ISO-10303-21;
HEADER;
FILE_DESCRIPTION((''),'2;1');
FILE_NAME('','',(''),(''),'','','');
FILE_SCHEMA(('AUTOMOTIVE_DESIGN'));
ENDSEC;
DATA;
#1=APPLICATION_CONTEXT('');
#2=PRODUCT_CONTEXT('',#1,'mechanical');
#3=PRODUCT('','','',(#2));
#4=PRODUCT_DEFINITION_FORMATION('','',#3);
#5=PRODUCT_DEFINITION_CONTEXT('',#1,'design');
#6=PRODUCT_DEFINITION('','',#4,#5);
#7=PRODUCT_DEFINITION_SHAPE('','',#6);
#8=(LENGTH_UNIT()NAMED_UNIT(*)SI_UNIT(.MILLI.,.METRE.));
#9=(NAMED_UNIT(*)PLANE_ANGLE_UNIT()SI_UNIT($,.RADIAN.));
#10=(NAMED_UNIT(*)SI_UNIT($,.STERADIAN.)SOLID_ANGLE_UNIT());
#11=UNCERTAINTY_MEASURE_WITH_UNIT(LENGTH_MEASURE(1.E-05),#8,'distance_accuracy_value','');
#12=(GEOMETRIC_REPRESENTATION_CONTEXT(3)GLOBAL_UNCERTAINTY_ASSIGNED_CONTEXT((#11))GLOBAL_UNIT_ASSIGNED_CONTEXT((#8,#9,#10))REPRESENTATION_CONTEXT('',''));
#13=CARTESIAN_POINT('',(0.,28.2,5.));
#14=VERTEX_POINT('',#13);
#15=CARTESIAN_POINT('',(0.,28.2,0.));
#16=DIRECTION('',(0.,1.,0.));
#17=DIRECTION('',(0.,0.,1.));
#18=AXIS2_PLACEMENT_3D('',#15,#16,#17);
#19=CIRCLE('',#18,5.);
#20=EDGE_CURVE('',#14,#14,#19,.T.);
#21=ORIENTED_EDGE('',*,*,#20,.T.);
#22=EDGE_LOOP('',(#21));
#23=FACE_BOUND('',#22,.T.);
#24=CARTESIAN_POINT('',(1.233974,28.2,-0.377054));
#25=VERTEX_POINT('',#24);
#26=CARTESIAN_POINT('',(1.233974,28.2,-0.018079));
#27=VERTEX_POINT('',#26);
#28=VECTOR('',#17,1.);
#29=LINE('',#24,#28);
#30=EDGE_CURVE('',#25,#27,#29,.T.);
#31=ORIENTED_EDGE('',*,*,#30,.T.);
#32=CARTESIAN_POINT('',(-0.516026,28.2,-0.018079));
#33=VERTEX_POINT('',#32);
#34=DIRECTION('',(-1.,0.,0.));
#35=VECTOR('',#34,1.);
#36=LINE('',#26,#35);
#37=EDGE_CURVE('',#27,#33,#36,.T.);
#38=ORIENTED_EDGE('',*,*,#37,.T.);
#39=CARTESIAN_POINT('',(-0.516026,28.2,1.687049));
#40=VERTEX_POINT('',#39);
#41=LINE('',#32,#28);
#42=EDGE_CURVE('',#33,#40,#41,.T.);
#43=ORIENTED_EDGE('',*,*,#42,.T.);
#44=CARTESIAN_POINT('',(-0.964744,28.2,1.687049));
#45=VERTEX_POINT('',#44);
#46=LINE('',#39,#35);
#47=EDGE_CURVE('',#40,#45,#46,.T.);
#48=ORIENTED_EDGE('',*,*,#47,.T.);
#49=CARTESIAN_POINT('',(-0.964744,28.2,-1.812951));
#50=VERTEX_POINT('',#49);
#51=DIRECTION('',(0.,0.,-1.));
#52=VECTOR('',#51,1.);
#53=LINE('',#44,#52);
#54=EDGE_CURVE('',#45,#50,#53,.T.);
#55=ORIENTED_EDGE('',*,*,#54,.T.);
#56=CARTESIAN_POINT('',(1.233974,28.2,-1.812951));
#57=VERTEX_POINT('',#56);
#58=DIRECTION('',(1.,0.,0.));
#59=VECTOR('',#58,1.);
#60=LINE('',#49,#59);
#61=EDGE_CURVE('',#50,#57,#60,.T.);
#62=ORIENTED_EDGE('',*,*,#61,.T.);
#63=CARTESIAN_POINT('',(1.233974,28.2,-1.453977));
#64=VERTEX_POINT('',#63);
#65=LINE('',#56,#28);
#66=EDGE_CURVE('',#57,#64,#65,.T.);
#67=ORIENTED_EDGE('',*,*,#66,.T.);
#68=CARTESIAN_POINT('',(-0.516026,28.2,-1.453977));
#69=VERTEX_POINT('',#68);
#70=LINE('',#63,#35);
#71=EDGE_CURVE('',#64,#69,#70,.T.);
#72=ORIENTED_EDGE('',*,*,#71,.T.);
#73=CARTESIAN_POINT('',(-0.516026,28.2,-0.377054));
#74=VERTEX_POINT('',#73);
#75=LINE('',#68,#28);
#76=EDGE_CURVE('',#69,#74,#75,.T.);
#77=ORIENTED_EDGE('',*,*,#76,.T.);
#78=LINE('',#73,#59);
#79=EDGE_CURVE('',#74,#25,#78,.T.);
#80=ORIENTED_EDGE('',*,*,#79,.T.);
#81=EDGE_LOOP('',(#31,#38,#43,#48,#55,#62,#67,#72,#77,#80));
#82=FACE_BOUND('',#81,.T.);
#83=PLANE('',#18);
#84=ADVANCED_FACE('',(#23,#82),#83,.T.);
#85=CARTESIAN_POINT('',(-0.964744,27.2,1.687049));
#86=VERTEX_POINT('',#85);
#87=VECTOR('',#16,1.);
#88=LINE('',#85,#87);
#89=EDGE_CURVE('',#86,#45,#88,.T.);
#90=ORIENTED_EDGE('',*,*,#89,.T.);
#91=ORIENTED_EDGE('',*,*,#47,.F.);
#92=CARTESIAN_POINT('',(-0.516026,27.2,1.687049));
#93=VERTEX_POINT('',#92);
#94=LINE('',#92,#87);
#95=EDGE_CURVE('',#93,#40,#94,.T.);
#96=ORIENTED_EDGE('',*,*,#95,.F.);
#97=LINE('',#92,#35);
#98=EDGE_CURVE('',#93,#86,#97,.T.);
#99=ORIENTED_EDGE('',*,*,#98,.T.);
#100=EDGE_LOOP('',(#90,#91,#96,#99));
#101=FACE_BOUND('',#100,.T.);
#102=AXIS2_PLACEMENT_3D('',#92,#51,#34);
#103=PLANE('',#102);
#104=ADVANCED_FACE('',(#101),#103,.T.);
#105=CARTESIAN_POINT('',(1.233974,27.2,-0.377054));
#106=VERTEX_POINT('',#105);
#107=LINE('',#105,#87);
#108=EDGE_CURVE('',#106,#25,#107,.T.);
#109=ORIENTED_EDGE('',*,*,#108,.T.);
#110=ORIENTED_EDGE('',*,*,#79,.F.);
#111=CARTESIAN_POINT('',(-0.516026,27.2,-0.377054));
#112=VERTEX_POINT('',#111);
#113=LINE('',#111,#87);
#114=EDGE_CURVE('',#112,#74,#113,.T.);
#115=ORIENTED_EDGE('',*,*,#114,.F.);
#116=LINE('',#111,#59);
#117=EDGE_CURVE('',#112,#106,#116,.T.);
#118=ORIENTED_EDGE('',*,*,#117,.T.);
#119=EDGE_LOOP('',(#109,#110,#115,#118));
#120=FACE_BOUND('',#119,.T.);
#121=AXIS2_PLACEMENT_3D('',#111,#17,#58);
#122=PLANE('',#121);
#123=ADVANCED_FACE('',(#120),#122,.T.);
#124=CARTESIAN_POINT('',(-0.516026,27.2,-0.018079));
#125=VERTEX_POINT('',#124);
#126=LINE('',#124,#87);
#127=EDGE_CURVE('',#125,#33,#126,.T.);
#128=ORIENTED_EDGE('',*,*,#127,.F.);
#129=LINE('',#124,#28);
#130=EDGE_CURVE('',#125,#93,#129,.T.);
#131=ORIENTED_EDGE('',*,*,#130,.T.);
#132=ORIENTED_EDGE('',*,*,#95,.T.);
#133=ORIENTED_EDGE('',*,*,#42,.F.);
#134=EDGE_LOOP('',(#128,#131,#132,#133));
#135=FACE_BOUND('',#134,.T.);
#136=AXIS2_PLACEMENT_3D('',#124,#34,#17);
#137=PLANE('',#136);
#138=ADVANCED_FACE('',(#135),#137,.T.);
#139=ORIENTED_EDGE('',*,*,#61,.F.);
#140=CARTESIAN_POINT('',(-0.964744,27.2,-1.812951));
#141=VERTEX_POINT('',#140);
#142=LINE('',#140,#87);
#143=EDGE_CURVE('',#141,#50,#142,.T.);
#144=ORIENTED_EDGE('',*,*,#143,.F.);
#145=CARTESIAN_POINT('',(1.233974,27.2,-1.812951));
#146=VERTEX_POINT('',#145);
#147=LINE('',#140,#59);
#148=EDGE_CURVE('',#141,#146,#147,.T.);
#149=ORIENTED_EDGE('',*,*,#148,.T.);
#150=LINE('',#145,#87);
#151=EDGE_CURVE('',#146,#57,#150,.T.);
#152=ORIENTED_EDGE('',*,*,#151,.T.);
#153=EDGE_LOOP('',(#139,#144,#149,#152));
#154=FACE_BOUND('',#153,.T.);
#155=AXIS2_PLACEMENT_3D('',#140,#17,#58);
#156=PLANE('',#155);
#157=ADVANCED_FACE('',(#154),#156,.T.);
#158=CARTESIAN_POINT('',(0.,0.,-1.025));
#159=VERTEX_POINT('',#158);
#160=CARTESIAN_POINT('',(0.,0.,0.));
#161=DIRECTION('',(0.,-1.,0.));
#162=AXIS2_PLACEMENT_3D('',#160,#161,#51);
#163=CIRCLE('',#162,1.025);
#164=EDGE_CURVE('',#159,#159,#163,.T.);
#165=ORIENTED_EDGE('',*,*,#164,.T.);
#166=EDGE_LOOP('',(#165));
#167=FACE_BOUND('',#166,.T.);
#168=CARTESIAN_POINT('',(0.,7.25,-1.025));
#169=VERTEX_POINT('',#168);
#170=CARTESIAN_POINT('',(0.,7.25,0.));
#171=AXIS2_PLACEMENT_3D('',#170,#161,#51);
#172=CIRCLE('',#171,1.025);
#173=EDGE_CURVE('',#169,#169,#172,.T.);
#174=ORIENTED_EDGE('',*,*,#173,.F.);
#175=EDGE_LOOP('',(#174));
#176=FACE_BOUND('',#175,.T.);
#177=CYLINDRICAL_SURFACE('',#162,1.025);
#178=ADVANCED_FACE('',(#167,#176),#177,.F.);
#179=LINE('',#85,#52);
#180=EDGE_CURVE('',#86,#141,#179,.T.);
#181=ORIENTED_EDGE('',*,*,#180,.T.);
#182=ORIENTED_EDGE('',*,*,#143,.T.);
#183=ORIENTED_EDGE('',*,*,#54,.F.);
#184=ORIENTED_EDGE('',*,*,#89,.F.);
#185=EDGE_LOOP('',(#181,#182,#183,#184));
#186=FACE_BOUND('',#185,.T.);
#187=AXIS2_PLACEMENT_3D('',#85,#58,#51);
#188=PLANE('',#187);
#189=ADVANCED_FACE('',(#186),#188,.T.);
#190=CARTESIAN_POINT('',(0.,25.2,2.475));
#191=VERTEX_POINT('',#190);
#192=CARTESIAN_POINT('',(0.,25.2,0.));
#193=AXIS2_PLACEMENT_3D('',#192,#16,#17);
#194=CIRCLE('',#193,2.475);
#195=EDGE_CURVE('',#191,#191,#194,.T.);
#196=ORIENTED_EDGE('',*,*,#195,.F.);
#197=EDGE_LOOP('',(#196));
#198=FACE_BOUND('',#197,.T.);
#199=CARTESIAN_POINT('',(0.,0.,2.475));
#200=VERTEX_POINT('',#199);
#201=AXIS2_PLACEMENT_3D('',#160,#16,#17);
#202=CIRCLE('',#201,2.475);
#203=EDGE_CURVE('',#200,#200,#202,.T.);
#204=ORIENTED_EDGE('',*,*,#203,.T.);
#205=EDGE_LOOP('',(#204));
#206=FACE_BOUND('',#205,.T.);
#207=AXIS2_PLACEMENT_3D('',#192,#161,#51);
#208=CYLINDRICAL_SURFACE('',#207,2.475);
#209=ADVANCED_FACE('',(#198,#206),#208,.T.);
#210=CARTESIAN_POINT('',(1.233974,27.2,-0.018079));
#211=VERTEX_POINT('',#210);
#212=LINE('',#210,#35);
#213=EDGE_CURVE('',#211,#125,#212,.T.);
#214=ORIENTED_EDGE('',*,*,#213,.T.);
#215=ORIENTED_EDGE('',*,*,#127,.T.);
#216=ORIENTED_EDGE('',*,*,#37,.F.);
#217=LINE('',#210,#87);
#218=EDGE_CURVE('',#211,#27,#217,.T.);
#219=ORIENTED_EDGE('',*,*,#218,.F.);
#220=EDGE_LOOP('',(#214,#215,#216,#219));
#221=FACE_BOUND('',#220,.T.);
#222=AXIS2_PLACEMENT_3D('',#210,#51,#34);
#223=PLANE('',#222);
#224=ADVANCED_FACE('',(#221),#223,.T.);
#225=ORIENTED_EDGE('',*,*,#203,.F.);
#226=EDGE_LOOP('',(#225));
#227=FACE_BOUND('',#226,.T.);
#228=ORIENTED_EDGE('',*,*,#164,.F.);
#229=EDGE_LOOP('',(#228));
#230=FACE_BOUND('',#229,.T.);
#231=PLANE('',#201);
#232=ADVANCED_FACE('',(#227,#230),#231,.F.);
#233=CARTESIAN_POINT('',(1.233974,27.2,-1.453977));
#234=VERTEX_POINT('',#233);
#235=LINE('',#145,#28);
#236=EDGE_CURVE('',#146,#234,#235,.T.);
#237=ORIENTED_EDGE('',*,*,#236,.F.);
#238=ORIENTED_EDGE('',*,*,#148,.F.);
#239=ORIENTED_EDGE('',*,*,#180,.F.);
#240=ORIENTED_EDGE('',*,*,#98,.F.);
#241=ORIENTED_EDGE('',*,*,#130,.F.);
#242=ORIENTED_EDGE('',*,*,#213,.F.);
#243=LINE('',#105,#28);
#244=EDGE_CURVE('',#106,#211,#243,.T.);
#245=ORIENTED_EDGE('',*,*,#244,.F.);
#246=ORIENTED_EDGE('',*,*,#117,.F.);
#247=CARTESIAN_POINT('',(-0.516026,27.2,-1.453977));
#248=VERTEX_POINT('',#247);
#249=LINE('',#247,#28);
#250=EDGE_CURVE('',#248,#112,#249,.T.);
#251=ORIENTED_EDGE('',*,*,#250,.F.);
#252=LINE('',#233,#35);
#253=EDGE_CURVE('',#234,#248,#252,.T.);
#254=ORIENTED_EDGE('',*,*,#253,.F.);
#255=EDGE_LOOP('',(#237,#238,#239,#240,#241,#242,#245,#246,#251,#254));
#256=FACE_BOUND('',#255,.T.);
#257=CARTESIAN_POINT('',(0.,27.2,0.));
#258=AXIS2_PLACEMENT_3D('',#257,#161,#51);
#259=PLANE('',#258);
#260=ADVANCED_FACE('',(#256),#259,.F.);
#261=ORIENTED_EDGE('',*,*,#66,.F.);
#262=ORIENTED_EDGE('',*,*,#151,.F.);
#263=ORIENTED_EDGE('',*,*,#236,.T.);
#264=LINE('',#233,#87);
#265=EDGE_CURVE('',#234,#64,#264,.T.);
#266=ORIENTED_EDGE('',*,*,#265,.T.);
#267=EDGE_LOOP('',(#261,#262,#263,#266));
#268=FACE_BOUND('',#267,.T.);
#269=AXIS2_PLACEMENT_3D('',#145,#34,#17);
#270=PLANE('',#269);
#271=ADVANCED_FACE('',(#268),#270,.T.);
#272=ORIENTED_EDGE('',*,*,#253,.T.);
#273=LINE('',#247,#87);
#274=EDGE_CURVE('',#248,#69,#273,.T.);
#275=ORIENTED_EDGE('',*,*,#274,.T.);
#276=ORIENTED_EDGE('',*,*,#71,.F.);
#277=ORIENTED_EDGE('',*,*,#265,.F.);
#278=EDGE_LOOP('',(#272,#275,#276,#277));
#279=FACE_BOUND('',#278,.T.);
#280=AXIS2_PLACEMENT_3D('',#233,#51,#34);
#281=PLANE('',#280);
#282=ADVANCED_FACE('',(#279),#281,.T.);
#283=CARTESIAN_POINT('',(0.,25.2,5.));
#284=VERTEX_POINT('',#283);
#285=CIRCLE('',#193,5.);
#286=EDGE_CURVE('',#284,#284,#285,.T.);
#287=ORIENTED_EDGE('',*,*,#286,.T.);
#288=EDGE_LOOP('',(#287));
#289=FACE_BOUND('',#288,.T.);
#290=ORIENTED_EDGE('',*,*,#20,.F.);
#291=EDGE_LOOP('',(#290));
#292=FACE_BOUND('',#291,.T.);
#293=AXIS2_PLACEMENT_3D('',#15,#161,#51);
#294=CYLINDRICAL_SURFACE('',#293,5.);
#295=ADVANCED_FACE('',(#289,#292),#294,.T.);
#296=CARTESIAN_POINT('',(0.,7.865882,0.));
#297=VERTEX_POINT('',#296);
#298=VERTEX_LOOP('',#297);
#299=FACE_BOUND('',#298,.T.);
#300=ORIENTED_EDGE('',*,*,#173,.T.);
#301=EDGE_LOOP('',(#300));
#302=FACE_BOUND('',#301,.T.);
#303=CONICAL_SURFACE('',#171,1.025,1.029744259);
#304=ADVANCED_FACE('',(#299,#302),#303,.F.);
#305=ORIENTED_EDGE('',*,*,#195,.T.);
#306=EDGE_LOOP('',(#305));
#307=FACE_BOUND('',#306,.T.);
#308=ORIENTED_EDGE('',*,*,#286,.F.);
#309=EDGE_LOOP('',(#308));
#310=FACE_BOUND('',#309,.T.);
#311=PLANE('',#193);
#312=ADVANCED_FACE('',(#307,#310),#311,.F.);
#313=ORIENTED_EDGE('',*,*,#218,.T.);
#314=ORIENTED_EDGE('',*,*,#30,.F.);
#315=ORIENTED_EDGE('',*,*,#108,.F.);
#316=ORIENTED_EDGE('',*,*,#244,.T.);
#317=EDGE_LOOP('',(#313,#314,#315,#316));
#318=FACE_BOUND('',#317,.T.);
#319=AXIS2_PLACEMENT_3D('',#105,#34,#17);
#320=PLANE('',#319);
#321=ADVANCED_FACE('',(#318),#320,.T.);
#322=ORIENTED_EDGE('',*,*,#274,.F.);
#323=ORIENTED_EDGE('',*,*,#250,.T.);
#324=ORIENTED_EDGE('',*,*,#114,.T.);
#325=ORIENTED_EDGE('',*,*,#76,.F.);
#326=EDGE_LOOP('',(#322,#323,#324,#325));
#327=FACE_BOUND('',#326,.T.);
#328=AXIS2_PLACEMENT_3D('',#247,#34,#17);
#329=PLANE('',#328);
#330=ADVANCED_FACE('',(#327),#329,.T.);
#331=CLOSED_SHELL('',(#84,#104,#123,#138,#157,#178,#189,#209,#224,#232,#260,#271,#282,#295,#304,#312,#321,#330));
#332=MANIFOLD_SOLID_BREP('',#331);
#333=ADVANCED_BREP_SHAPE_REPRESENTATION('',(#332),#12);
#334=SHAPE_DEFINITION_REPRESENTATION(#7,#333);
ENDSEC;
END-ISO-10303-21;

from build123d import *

# Parameters (mm, degrees)
SKETCH1_R                    = 2.475
BOSS_EXTRUDE1_DEPTH          = 25.2
SKETCH2_R                    = 5
BOSS_EXTRUDE2_DEPTH          = 3
M2_5X0_45_TAPPED_HOLE2_D     = 2.05
M2_5X0_45_TAPPED_HOLE2_DEPTH = 7.25
M2_5X0_45_TAPPED_HOLE2_TIP   = 0.615882135
CUT_EXTRUDE1_DEPTH           = 1


with BuildPart() as part:
    # Sketch1 → Boss-Extrude1 (new body)
    with BuildSketch(Plane(origin=(0, 0, 0), x_dir=(1, 0, 0), z_dir=(0, 1, 0))):
        with Locations(Location((0, 0, 0), (0, 0, 270))):
            Circle(SKETCH1_R)
    extrude(amount=BOSS_EXTRUDE1_DEPTH)

    # Sketch2 → Boss-Extrude2 (add)
    with BuildSketch(Plane(origin=(0, 25.2, 0), x_dir=(1, 0, 0), z_dir=(0, 1, 0))):
        with Locations(Location((0, 0, 0), (0, 0, 270))):
            Circle(SKETCH2_R)
    extrude(amount=BOSS_EXTRUDE2_DEPTH)

    # M2.5x0.45 Tapped Hole2
    with Locations(Plane(origin=(0, 0, 0), x_dir=(-1, 0, 0), z_dir=(0, -1, 0))):
        with Locations((0, 0)):
            Hole(M2_5X0_45_TAPPED_HOLE2_D / 2, depth=M2_5X0_45_TAPPED_HOLE2_DEPTH)
            with Locations((0, 0, -(M2_5X0_45_TAPPED_HOLE2_DEPTH + M2_5X0_45_TAPPED_HOLE2_TIP / 2))):  # 118° drill point
                Cone(0, M2_5X0_45_TAPPED_HOLE2_D / 2, M2_5X0_45_TAPPED_HOLE2_TIP, mode=Mode.SUBTRACT)

    # Sketch15 → Cut-Extrude1 (cut)
    with BuildSketch(Plane(origin=(0, 28.2, 0), x_dir=(1, 0, 0), z_dir=(0, 1, 0))):
        Polygon((-0.96474359, 1.812951114), (1.233974359, 1.812951114), (1.233974359, 1.453976755), (-0.516025641, 1.453976755), (-0.516025641, 0.377053678), (1.233974359, 0.377053678), (1.233974359, 0.018079319), (-0.516025641, 0.018079319), (-0.516025641, -1.687048886), (-0.96474359, -1.687048886), align=None)
    extrude(amount=-CUT_EXTRUDE1_DEPTH, mode=Mode.SUBTRACT)


solid = part.part
